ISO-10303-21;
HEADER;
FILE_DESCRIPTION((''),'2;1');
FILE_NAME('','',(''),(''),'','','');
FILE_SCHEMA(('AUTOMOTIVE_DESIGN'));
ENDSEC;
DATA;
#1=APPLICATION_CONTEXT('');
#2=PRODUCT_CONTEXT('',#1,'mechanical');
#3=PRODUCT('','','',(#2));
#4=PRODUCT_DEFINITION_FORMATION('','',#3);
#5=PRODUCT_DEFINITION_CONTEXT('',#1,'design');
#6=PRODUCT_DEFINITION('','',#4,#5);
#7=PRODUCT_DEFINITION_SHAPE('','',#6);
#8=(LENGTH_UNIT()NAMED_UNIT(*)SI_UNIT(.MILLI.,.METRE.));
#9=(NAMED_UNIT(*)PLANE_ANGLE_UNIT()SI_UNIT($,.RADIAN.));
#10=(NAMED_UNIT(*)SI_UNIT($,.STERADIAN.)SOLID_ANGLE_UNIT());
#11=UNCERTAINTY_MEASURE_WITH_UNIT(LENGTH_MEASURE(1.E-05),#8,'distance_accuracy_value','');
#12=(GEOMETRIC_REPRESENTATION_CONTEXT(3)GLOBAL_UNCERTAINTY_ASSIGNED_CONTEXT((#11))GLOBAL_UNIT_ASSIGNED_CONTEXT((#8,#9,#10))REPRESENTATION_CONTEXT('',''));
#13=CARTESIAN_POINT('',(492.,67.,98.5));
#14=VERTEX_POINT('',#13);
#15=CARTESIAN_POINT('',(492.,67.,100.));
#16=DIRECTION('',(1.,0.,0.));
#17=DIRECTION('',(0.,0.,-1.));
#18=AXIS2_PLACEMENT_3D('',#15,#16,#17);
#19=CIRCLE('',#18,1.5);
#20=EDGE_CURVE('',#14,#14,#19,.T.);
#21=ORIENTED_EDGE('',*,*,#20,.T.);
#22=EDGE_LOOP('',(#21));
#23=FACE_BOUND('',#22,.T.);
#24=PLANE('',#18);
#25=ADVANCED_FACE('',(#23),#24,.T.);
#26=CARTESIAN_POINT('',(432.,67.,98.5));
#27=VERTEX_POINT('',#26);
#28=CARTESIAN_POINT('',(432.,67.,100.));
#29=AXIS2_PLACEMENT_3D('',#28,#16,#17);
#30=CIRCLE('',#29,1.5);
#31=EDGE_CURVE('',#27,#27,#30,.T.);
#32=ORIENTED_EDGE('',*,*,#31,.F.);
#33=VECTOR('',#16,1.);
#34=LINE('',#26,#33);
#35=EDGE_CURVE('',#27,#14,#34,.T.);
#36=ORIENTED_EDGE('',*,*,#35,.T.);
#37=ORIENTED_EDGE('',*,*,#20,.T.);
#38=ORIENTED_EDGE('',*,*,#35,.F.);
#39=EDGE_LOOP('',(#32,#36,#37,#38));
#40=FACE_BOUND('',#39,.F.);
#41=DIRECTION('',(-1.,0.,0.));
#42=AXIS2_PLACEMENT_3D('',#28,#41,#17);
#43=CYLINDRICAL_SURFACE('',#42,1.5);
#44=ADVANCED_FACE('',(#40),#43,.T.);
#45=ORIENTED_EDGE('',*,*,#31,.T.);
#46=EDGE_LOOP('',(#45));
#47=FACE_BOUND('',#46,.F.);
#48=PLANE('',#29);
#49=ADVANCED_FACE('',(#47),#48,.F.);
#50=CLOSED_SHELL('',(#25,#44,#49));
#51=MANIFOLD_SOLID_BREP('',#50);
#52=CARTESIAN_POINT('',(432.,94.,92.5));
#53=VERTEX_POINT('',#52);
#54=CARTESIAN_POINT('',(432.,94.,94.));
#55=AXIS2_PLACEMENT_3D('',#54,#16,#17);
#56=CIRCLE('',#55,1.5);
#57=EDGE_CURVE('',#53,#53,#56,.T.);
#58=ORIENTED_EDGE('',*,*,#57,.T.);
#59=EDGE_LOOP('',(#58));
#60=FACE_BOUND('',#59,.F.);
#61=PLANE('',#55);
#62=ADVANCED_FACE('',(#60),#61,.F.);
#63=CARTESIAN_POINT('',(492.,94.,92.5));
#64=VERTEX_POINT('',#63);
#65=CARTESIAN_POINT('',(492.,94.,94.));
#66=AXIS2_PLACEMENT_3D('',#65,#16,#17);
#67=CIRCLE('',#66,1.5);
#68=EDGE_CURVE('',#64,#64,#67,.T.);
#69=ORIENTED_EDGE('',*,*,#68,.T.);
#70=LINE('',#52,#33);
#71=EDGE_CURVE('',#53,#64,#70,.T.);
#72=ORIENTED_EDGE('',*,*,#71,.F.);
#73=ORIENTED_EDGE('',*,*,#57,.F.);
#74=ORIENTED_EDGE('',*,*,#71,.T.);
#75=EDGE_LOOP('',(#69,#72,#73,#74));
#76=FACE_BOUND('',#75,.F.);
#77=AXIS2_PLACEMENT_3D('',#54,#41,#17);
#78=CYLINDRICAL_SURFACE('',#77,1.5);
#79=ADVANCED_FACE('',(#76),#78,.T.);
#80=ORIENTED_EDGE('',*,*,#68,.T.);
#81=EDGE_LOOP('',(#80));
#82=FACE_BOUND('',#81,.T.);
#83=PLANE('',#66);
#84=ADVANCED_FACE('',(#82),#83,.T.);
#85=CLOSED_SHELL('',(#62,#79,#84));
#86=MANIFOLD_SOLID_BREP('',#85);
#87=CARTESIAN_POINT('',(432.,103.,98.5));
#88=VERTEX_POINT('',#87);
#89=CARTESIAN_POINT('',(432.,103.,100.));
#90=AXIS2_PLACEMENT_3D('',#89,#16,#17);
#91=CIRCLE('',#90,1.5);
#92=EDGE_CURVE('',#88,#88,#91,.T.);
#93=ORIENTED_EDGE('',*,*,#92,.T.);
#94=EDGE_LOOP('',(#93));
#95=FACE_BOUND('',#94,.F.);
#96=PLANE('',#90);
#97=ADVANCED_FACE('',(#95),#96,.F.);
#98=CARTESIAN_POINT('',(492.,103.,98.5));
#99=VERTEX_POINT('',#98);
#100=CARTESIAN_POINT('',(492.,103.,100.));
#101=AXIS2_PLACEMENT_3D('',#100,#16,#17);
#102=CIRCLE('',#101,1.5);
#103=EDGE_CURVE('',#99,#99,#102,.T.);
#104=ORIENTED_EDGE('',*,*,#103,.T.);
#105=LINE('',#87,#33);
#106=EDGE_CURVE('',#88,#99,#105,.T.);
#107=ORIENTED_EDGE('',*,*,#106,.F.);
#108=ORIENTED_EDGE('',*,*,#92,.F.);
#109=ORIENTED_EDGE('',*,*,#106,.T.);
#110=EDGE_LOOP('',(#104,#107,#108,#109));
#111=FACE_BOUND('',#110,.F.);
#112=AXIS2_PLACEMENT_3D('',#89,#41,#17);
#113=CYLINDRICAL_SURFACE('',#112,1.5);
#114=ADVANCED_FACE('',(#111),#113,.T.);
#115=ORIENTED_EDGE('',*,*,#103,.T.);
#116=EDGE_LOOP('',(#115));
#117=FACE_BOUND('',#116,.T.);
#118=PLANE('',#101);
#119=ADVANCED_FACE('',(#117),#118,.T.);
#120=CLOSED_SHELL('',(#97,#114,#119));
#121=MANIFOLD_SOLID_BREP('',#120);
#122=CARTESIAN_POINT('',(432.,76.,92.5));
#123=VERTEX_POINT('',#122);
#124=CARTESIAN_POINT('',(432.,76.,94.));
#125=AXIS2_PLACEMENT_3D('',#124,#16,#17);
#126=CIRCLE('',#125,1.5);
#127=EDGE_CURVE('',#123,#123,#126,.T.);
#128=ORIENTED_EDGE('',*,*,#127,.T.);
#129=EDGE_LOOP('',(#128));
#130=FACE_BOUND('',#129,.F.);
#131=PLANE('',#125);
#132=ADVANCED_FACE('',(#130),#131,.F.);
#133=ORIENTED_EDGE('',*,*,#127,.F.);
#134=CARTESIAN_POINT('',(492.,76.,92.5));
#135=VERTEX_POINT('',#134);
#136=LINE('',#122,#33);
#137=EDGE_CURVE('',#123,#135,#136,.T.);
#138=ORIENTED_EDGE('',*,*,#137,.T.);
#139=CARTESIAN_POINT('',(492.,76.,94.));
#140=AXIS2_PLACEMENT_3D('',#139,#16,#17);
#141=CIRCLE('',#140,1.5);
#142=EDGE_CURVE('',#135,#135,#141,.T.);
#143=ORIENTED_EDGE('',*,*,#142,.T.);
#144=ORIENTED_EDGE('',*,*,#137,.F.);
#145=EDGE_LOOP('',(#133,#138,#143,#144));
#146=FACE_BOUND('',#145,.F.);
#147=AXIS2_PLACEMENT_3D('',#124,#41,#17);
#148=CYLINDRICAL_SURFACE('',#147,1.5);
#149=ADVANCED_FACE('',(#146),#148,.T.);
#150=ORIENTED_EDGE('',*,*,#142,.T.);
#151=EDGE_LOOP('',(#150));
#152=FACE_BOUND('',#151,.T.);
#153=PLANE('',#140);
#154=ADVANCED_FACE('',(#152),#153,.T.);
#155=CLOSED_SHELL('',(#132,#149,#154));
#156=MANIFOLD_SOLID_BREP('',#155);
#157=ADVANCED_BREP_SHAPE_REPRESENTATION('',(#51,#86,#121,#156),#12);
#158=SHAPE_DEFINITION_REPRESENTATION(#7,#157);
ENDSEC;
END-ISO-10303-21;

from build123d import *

# Parameters (mm, degrees)
CYLINDER005_R      = 1.5
CYLINDER005_DEPTH  = 60
CYLINDER1198_R     = 1.5
CYLINDER1198_DEPTH = 60
CYLINDER1259_R     = 1.5
CYLINDER1259_DEPTH = 60
CYLINDER004_R      = 1.5
CYLINDER004_DEPTH  = 60


with BuildPart() as cylinder005:
    # Cylinder005 → Cylinder005 (new body)
    with BuildSketch(Plane(origin=(432, 67, 100), x_dir=(0, 0, -1), z_dir=(1, 0, 0))):
        Circle(CYLINDER005_R)
    extrude(amount=CYLINDER005_DEPTH)


with BuildPart() as cylinder1198:
    # Cylinder1198 → Cylinder1198 (new body)
    with BuildSketch(Plane(origin=(432, 94, 94), x_dir=(0, 0, -1), z_dir=(1, 0, 0))):
        Circle(CYLINDER1198_R)
    extrude(amount=CYLINDER1198_DEPTH)


with BuildPart() as cylinder1259:
    # Cylinder1259 → Cylinder1259 (new body)
    with BuildSketch(Plane(origin=(432, 76, 94), x_dir=(0, 0, -1), z_dir=(1, 0, 0))):
        Circle(CYLINDER1259_R)
    extrude(amount=CYLINDER1259_DEPTH)


with BuildPart() as fusion248002050187:
    # Cylinder004 → Cylinder004 (new body)
    with BuildSketch(Plane(origin=(432, 103, 100), x_dir=(0, 0, -1), z_dir=(1, 0, 0))):
        Circle(CYLINDER004_R)
    extrude(amount=CYLINDER004_DEPTH)

    # Fusion248002050187: union Cylinder005, Cylinder1198, Cylinder1259
    add(cylinder005.part)
    add(cylinder1198.part)
    add(cylinder1259.part)


solid = fusion248002050187.part
